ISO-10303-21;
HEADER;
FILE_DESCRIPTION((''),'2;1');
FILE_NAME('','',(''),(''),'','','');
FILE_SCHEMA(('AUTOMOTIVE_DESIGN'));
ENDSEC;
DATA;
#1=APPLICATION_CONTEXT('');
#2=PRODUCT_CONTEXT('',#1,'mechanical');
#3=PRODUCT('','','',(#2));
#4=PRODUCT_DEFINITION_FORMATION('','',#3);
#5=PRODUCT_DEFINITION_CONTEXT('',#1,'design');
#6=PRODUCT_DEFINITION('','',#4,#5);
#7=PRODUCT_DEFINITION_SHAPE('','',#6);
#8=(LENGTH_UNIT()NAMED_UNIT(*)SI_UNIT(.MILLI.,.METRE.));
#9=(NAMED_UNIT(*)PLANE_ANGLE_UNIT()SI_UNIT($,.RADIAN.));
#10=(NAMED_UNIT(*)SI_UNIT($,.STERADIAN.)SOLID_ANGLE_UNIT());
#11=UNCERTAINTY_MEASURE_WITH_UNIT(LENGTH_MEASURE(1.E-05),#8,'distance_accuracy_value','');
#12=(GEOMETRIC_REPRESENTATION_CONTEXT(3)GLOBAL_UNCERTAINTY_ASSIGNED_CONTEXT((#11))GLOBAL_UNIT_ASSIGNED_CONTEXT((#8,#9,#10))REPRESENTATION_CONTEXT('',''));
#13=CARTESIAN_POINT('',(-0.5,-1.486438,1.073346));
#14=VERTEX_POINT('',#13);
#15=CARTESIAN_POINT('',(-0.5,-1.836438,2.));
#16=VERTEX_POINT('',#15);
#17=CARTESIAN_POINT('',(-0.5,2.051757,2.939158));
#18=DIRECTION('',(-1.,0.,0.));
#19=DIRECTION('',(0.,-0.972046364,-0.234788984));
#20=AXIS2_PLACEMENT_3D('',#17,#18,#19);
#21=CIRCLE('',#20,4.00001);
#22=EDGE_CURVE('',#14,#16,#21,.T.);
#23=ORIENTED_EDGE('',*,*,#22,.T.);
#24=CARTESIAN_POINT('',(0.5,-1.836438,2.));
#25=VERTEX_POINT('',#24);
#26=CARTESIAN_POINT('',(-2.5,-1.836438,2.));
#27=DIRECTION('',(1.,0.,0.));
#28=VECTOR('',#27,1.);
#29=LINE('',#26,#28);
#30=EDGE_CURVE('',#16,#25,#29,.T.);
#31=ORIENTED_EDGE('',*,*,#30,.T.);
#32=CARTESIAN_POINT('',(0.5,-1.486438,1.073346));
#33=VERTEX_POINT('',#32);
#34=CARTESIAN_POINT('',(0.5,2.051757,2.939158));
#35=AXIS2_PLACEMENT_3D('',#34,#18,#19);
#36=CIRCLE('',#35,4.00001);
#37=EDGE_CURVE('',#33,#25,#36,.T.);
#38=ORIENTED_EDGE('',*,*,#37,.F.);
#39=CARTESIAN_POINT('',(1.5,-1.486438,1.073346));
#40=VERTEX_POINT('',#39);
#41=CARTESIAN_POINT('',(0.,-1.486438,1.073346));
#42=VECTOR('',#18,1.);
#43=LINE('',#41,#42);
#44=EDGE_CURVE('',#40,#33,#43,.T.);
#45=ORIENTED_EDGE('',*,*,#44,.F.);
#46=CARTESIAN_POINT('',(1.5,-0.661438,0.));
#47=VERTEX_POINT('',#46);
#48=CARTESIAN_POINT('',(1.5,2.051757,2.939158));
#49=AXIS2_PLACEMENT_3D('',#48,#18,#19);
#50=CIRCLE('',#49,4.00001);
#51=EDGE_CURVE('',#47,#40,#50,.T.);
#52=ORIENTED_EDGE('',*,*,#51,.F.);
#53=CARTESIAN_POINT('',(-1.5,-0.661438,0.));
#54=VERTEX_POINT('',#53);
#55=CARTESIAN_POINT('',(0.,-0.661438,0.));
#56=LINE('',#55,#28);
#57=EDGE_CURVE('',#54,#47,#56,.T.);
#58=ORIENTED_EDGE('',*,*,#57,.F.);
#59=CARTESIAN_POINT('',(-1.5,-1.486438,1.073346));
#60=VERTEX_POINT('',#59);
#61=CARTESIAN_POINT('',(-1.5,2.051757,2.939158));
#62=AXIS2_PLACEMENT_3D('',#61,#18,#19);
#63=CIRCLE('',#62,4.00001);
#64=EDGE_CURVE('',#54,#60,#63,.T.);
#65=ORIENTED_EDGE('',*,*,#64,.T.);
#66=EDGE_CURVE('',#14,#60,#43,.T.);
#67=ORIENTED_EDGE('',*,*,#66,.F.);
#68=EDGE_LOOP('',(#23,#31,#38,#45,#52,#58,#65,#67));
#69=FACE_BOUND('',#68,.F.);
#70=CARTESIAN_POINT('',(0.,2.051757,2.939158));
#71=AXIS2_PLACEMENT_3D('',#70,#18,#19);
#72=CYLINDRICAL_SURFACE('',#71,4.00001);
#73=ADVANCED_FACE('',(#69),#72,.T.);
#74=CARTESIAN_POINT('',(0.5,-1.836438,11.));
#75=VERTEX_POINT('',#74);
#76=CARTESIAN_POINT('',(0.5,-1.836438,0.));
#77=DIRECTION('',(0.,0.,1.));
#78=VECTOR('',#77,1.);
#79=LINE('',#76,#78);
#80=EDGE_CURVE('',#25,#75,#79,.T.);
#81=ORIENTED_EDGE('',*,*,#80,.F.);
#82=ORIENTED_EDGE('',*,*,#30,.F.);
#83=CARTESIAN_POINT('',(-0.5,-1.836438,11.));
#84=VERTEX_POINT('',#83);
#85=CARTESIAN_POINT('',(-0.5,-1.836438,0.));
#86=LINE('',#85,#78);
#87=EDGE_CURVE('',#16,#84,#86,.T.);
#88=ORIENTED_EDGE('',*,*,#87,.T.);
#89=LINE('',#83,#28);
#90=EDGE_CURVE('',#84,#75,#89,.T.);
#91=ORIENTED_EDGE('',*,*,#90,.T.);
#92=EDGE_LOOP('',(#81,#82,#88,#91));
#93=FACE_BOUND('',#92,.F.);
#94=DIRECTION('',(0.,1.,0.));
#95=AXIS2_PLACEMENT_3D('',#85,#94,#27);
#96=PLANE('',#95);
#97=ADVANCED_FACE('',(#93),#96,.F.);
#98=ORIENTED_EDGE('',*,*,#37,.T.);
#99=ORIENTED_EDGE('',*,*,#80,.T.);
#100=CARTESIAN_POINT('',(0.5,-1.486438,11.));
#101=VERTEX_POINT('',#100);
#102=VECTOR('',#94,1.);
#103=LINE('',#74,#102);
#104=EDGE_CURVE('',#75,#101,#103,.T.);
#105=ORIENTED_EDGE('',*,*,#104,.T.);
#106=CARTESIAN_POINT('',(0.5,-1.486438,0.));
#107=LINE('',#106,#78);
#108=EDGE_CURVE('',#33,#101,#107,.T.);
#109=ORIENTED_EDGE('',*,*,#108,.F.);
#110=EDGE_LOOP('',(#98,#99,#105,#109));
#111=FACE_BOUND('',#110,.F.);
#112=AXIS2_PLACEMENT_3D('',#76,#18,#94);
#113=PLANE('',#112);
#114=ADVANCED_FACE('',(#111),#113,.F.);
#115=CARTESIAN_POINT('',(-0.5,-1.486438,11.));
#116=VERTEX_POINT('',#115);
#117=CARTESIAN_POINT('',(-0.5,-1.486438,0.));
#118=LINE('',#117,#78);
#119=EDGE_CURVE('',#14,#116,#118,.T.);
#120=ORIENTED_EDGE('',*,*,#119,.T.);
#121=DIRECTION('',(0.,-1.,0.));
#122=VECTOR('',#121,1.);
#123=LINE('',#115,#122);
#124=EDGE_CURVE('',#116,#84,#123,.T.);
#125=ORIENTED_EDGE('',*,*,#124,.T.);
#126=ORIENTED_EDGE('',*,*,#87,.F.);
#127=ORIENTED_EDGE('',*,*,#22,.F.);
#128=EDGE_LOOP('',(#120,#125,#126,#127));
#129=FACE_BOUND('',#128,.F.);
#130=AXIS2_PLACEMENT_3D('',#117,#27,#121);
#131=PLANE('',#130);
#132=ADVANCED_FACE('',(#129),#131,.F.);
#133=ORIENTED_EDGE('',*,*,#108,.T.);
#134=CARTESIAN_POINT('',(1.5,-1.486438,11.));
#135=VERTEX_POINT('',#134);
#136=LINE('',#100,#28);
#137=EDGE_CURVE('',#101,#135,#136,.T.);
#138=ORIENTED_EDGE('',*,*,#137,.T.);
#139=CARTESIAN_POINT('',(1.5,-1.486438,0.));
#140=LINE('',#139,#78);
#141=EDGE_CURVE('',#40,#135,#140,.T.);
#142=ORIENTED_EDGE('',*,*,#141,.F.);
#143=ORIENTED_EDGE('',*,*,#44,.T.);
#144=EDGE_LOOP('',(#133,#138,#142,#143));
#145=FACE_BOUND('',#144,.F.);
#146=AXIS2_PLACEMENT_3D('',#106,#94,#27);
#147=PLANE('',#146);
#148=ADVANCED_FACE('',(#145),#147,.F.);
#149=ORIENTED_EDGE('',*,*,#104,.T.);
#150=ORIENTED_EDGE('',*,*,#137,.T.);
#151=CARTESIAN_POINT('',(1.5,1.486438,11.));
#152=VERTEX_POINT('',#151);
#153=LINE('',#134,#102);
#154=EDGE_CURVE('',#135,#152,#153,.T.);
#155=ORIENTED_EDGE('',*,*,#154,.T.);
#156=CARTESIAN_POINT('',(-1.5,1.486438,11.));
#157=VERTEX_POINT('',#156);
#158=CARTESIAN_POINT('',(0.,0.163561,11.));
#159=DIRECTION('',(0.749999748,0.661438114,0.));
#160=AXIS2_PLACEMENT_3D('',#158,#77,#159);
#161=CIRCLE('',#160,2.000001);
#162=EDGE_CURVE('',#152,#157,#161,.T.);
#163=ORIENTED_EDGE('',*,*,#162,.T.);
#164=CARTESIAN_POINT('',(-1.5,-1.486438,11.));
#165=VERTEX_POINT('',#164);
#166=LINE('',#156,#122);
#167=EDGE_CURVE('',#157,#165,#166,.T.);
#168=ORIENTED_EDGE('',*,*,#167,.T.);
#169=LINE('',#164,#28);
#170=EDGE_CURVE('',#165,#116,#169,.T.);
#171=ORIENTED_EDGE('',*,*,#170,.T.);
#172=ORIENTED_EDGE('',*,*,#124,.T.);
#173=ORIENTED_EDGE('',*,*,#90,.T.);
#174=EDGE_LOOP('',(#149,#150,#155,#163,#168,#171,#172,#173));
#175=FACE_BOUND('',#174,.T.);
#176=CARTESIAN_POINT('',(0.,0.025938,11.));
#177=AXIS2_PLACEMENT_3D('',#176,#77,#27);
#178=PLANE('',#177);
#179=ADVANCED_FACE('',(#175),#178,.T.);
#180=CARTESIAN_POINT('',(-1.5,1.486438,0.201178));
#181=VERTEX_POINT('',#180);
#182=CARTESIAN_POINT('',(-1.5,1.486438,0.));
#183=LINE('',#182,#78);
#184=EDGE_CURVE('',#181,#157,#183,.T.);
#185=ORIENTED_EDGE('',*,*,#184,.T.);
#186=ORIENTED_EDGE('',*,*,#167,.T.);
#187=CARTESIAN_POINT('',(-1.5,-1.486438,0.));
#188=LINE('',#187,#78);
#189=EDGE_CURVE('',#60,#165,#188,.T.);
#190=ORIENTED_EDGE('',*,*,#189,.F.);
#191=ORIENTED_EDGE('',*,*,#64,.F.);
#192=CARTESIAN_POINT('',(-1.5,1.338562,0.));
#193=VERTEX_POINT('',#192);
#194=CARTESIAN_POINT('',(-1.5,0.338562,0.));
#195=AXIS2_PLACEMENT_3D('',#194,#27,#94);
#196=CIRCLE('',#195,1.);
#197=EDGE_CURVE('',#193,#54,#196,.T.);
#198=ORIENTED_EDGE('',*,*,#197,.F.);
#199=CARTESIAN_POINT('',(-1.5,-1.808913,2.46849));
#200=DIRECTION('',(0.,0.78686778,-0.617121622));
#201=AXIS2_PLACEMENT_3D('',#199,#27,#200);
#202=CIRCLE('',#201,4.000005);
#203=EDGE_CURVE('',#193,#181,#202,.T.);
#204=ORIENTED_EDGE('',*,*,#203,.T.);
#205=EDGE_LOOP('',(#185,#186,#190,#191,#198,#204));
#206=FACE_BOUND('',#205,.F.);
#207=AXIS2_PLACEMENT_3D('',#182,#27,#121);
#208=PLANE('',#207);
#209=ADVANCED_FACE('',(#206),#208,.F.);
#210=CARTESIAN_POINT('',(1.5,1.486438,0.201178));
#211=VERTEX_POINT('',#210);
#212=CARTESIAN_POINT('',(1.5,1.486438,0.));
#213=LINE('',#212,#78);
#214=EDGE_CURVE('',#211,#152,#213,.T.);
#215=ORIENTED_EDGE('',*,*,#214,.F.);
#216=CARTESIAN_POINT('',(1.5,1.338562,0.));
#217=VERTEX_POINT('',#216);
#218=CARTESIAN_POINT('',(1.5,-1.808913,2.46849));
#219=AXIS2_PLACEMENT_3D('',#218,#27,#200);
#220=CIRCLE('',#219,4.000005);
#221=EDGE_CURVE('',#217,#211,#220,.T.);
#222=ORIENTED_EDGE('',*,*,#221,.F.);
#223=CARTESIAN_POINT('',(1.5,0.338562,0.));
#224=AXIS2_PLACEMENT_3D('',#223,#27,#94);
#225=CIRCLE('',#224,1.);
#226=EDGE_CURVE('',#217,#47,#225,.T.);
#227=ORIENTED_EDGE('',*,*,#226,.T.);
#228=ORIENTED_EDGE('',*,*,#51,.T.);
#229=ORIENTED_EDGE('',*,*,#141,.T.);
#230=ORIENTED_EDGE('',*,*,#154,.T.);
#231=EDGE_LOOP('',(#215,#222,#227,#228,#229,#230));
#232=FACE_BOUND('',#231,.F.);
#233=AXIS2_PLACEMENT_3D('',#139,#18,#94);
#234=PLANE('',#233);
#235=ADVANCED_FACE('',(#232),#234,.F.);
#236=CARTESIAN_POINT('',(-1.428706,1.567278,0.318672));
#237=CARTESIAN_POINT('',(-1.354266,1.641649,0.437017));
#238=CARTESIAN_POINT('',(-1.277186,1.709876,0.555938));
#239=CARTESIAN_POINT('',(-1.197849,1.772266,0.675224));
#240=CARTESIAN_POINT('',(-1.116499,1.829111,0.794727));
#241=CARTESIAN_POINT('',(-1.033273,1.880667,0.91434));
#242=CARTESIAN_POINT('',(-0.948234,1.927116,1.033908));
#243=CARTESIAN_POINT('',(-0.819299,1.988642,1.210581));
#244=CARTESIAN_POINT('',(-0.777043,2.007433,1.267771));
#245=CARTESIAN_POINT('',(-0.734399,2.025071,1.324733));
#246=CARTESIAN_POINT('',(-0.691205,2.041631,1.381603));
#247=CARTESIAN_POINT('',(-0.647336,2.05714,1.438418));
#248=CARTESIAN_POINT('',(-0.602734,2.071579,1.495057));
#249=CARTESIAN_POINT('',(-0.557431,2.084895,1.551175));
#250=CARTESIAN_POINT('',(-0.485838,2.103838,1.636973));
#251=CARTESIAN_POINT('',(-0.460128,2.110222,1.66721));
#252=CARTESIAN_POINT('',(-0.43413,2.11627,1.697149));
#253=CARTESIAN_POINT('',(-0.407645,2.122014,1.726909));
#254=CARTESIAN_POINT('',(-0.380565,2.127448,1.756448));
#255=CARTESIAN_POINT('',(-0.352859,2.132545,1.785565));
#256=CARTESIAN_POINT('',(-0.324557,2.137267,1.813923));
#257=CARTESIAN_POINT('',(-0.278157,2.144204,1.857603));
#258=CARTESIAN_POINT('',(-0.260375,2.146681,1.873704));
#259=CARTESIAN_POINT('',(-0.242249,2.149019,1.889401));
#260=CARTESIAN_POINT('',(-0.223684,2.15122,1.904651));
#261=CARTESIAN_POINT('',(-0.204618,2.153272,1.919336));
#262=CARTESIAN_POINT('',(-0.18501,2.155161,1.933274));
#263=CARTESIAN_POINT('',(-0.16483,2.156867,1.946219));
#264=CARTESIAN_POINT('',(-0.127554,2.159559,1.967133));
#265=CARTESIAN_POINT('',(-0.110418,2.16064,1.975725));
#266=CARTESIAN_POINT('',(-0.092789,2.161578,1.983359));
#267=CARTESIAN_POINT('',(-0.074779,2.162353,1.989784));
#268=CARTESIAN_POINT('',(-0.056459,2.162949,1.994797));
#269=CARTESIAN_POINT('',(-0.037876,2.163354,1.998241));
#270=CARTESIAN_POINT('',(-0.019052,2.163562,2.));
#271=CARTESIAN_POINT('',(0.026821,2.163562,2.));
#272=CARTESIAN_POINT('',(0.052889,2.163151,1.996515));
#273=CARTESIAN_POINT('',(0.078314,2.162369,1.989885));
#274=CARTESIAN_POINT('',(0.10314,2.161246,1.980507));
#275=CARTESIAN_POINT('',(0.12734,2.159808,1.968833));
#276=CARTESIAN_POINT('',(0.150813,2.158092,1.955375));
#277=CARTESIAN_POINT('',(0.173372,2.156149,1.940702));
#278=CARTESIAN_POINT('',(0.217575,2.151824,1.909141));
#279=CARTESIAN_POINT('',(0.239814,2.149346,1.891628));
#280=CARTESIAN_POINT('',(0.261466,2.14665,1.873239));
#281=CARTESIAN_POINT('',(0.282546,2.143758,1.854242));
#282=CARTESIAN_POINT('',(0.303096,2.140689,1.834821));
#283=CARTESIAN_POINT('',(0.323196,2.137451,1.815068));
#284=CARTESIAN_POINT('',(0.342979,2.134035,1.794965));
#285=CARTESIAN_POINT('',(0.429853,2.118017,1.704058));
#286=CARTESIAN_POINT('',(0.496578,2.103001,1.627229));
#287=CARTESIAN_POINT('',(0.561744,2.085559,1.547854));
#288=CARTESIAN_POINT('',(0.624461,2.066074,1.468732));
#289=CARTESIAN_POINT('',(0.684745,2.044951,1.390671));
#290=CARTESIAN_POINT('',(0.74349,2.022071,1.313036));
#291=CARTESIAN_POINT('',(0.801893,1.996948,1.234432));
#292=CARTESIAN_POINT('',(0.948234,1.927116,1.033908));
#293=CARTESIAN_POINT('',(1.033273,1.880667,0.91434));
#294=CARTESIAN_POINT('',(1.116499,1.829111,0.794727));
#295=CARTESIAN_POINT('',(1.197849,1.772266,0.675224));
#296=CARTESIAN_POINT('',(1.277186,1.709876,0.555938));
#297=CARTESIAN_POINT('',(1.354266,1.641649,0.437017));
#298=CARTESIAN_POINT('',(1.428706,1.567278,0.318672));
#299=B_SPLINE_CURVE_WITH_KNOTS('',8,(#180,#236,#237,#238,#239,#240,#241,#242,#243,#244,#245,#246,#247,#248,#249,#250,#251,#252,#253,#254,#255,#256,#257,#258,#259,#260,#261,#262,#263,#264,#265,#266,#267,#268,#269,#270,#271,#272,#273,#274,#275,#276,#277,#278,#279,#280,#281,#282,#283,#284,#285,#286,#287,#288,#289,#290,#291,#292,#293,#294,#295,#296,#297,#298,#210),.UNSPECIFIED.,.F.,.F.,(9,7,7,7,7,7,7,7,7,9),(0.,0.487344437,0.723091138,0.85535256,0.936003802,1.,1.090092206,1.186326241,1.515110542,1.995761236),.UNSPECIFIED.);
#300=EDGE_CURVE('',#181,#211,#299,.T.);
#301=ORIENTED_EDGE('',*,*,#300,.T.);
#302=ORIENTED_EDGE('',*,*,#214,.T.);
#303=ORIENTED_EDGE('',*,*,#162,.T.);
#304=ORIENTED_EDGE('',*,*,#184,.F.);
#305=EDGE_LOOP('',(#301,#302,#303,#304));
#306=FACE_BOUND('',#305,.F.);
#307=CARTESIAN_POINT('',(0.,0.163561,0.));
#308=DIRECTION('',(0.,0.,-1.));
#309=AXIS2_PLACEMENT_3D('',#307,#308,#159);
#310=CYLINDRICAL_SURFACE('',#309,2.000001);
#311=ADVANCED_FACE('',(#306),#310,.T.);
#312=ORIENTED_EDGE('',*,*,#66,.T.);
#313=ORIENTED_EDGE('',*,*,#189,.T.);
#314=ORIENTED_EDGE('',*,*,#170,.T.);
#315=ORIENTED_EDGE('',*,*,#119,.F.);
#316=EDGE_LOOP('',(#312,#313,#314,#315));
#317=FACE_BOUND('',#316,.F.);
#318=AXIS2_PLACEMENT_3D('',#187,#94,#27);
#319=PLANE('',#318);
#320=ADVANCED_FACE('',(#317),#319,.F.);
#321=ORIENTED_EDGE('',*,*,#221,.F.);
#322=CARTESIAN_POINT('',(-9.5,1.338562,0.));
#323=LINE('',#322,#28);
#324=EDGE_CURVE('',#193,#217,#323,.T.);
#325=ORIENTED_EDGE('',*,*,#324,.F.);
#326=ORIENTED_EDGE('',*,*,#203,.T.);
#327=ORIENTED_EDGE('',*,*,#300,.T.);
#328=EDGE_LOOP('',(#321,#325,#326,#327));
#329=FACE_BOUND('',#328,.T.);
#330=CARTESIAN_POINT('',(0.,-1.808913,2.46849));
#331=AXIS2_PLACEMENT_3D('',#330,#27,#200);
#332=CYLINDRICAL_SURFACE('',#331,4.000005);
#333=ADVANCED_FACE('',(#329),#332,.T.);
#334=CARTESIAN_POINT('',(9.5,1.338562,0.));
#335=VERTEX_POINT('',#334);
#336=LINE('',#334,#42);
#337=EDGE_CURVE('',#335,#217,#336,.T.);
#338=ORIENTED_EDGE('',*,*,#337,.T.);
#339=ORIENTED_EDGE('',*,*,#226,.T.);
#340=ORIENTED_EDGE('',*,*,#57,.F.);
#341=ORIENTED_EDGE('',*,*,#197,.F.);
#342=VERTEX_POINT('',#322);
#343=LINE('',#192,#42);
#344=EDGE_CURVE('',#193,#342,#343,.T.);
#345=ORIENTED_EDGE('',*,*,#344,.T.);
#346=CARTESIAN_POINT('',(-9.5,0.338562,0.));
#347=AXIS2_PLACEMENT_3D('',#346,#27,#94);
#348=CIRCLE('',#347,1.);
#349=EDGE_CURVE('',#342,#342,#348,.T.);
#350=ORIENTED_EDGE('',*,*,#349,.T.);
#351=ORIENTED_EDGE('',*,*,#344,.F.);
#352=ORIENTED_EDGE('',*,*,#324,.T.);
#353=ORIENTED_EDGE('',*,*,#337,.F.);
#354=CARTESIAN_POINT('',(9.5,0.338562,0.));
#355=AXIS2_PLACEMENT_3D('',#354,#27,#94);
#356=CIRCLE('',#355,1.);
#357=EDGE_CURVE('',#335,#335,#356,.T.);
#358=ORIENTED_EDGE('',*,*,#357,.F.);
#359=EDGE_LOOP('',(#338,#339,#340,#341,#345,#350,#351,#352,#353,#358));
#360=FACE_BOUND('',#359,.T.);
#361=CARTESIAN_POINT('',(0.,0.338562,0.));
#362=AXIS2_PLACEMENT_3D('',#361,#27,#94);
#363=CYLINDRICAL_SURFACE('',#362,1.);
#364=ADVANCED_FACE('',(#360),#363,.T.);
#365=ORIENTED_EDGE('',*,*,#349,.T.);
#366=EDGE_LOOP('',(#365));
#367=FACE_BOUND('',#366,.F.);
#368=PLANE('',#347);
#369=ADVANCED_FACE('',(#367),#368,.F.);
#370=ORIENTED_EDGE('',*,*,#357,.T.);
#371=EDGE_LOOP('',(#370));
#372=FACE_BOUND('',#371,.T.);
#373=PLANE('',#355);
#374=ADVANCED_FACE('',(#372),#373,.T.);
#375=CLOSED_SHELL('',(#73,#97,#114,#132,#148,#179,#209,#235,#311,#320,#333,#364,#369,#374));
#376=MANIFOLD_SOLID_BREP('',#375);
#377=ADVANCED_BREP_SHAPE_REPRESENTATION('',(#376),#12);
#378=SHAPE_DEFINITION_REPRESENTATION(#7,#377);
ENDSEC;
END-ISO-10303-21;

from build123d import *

# Parameters (mm, degrees)
PAD_DEPTH    = 11
SKETCH001_R  = 1
PAD001_DEPTH = 9.5
POCKET_DEPTH = 2.5


with BuildPart() as part:
    # Sketch → Pad (new body)
    with BuildSketch(Plane.XY):
        with BuildLine():
            Line((-1.5, 1.486438), (-1.5, -1.486438))
            Line((-1.5, -1.486438), (-0.5, -1.486438))
            Line((-0.5, -1.486438), (-0.5, -1.836438))
            Line((-0.5, -1.836438), (0.5, -1.836438))
            Line((0.5, -1.836438), (0.5, -1.486438))
            Line((0.5, -1.486438), (1.5, -1.486438))
            Line((1.5, -1.486438), (1.5, 1.486438))
            ThreePointArc((1.5, 1.486438), (0, 2.163562), (-1.5, 1.486438))
        make_face()
    extrude(amount=PAD_DEPTH)

    # Sketch001 → Pad001 (join, symmetric)
    with BuildSketch(Plane.YZ):
        with Locations((0.338562, 0)):
            Circle(SKETCH001_R)
    extrude(amount=PAD001_DEPTH, both=True)

    # Sketch002 → Pocket (cut, symmetric)
    with BuildSketch(Plane.YZ):
        with BuildLine():
            ThreePointArc((-1.836438, 2), (-1.397096, 0.912957), (-0.661438, 0))
            Line((-3.011438, 0), (-0.661438, 0))
            Line((-3.011438, 2), (-3.011438, 0))
            Line((-1.836438, 2), (-3.011438, 2))
        make_face()
        with BuildLine():
            ThreePointArc((1.338562, 0), (1.888846, 0.943164), (2.163562, 2))
            Line((2.163562, 2), (3.338562, 2))
            Line((3.338562, 2), (3.338562, 0))
            Line((3.338562, 0), (1.338562, 0))
        make_face()
    extrude(amount=POCKET_DEPTH, both=True, mode=Mode.SUBTRACT)


solid = part.part
